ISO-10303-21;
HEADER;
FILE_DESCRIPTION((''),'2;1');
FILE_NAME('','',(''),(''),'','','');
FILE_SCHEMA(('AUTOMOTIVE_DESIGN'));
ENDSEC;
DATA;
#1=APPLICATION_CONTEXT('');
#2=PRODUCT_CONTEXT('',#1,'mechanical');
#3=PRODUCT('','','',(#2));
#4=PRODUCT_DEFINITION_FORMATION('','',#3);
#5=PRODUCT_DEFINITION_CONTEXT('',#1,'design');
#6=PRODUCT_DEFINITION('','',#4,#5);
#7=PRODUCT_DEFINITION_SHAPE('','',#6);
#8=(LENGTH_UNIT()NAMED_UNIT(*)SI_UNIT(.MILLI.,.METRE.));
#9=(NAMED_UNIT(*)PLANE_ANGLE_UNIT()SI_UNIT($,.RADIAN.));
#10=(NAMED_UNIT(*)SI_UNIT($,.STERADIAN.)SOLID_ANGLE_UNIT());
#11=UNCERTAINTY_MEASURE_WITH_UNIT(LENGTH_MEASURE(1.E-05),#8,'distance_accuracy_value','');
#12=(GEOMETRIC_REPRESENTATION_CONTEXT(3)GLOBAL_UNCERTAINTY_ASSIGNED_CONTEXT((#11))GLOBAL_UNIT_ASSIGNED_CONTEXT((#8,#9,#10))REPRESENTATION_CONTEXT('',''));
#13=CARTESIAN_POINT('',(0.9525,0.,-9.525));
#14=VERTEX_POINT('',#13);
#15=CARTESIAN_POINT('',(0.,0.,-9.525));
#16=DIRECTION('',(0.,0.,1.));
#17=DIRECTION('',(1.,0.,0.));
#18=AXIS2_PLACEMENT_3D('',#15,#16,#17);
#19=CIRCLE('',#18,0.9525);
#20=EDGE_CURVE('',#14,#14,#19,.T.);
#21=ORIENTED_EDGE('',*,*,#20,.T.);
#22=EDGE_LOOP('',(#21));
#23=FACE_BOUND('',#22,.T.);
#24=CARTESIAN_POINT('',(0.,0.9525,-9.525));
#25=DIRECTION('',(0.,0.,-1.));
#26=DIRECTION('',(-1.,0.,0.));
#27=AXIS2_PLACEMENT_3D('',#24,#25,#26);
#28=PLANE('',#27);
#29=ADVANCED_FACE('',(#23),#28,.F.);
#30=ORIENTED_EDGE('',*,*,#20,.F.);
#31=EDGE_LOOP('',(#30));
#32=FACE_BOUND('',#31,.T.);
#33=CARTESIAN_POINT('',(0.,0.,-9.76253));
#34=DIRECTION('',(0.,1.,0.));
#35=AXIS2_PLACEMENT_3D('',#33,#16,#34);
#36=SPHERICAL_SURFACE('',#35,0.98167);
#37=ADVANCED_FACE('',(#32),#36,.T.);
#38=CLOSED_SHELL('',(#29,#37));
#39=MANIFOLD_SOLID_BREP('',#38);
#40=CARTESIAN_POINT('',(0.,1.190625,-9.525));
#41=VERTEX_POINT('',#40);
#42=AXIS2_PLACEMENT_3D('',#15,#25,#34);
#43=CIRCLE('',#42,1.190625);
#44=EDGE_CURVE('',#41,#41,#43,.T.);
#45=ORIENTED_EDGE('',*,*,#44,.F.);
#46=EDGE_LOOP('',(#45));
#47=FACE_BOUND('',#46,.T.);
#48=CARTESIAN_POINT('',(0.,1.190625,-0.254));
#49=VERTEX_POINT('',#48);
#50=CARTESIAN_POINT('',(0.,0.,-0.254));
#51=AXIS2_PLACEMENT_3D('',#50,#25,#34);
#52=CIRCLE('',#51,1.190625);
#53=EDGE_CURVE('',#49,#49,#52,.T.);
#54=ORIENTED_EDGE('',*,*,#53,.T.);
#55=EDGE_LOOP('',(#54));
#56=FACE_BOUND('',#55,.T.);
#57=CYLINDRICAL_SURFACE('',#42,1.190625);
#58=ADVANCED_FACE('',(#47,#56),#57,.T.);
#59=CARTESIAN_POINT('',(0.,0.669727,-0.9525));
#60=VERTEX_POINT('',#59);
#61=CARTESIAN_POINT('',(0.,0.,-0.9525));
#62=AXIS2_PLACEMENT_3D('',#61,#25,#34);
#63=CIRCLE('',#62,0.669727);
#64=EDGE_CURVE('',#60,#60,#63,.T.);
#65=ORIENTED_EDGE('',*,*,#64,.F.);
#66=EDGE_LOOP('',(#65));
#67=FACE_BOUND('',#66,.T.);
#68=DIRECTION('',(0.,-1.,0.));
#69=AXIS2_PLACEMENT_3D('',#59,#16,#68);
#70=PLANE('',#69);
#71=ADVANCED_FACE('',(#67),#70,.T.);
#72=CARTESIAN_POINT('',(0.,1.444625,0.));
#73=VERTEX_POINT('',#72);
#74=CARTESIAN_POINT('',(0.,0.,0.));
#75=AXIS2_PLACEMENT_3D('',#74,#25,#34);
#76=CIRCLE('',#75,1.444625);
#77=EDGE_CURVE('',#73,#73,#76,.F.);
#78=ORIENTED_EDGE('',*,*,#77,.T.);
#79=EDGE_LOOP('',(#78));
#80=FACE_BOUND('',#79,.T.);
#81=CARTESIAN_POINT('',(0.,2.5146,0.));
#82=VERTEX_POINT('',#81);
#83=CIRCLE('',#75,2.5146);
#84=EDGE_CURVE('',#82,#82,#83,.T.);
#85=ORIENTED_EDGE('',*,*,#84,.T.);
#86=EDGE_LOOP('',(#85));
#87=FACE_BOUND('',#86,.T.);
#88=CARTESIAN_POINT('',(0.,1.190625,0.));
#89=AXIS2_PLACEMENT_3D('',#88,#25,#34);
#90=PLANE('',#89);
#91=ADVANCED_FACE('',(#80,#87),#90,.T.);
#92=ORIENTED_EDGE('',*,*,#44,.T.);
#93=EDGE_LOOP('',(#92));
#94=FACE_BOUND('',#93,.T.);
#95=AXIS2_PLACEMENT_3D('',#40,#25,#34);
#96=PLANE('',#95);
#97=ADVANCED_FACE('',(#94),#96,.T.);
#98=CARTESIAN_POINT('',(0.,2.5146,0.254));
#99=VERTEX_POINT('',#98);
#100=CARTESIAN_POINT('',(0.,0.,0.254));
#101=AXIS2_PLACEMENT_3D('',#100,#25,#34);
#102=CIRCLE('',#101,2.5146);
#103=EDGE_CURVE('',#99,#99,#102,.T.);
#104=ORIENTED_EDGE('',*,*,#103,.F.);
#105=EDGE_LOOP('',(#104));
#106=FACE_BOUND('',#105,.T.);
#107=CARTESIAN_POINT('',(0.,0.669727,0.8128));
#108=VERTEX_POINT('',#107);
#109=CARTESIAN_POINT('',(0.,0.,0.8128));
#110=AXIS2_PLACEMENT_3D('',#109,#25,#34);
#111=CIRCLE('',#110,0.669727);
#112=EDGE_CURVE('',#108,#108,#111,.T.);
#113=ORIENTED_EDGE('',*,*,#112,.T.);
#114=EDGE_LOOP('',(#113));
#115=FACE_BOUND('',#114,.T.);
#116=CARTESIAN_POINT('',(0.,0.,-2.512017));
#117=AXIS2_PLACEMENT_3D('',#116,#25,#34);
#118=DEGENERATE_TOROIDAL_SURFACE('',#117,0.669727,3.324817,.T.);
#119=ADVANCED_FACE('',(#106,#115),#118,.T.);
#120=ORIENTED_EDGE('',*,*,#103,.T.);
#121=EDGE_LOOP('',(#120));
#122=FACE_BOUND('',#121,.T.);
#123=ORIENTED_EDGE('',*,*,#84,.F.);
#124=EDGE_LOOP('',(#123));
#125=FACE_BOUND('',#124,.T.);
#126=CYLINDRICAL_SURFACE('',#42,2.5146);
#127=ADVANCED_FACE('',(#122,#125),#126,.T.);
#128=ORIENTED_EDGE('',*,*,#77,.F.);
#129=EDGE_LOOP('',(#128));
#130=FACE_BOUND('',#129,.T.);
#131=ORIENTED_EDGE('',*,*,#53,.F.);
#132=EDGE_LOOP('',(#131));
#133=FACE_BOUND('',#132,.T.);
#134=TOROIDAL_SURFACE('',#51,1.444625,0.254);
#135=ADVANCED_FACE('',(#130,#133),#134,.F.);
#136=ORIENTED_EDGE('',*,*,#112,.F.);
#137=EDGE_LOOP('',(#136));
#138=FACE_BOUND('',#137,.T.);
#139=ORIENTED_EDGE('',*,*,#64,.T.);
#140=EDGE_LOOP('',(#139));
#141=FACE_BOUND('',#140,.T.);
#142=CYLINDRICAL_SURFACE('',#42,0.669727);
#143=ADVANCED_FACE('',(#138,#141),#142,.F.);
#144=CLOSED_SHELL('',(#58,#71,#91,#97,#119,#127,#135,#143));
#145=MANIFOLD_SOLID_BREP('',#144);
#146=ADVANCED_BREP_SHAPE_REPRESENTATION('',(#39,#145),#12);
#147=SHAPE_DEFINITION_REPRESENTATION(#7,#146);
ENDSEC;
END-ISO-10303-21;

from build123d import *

# Parameters (mm, degrees)
FILLET2_R = 0.254


with BuildPart() as part:
    # Sketch2 → Revolve1 (revolve)
    with BuildSketch(Plane(origin=(0, 0, 0), x_dir=(0, 0, -1), z_dir=(1, 0, 0))):
        with BuildLine():
            Line((9.525, 1.190625), (0, 1.190625))
            Line((0, 1.190625), (0, 2.5146))
            Line((0, 2.5146), (-0.254, 2.5146))
            ThreePointArc((-0.254, 2.5146), (-0.670034887, 1.633549088), (-0.8128, 0.669726562))
            Line((-0.8128, 0.669726562), (0, 0.669726563))
            Line((0, 0.669726563), (0.9525, 0.669726563))
            Line((0.9525, 0.669726563), (0.9525, 0))
            Line((0.9525, 0), (9.525, 0))
            Line((9.525, 0), (9.525, 1.190625))
        make_face()
    revolve(axis=Axis((0, 0, -9.525), (0, 0, 1)))

    # Fillet2
    fillet2_edges = [part.edges().sort_by_distance(p)[0] for p in [
        (0, -1.190625, 0),
    ]]
    fillet(fillet2_edges, radius=FILLET2_R)


with BuildPart() as body_2:
    # Sketch8 → Revolve3 (revolve)
    with BuildSketch(Plane(origin=(0, 0, 0), x_dir=(0, 0, -1), z_dir=(1, 0, 0))):
        with BuildLine():
            Line((9.525, 0.9525), (9.525, 0))
            Line((9.525, 0), (10.7442, 0))
            ThreePointArc((10.7442, 0), (10.366889167, 0.773580133), (9.525, 0.9525))
        make_face()
    revolve(axis=Axis((0, 0, -9.525), (0, 0, -1)))


solid = Compound([part.part, body_2.part])
